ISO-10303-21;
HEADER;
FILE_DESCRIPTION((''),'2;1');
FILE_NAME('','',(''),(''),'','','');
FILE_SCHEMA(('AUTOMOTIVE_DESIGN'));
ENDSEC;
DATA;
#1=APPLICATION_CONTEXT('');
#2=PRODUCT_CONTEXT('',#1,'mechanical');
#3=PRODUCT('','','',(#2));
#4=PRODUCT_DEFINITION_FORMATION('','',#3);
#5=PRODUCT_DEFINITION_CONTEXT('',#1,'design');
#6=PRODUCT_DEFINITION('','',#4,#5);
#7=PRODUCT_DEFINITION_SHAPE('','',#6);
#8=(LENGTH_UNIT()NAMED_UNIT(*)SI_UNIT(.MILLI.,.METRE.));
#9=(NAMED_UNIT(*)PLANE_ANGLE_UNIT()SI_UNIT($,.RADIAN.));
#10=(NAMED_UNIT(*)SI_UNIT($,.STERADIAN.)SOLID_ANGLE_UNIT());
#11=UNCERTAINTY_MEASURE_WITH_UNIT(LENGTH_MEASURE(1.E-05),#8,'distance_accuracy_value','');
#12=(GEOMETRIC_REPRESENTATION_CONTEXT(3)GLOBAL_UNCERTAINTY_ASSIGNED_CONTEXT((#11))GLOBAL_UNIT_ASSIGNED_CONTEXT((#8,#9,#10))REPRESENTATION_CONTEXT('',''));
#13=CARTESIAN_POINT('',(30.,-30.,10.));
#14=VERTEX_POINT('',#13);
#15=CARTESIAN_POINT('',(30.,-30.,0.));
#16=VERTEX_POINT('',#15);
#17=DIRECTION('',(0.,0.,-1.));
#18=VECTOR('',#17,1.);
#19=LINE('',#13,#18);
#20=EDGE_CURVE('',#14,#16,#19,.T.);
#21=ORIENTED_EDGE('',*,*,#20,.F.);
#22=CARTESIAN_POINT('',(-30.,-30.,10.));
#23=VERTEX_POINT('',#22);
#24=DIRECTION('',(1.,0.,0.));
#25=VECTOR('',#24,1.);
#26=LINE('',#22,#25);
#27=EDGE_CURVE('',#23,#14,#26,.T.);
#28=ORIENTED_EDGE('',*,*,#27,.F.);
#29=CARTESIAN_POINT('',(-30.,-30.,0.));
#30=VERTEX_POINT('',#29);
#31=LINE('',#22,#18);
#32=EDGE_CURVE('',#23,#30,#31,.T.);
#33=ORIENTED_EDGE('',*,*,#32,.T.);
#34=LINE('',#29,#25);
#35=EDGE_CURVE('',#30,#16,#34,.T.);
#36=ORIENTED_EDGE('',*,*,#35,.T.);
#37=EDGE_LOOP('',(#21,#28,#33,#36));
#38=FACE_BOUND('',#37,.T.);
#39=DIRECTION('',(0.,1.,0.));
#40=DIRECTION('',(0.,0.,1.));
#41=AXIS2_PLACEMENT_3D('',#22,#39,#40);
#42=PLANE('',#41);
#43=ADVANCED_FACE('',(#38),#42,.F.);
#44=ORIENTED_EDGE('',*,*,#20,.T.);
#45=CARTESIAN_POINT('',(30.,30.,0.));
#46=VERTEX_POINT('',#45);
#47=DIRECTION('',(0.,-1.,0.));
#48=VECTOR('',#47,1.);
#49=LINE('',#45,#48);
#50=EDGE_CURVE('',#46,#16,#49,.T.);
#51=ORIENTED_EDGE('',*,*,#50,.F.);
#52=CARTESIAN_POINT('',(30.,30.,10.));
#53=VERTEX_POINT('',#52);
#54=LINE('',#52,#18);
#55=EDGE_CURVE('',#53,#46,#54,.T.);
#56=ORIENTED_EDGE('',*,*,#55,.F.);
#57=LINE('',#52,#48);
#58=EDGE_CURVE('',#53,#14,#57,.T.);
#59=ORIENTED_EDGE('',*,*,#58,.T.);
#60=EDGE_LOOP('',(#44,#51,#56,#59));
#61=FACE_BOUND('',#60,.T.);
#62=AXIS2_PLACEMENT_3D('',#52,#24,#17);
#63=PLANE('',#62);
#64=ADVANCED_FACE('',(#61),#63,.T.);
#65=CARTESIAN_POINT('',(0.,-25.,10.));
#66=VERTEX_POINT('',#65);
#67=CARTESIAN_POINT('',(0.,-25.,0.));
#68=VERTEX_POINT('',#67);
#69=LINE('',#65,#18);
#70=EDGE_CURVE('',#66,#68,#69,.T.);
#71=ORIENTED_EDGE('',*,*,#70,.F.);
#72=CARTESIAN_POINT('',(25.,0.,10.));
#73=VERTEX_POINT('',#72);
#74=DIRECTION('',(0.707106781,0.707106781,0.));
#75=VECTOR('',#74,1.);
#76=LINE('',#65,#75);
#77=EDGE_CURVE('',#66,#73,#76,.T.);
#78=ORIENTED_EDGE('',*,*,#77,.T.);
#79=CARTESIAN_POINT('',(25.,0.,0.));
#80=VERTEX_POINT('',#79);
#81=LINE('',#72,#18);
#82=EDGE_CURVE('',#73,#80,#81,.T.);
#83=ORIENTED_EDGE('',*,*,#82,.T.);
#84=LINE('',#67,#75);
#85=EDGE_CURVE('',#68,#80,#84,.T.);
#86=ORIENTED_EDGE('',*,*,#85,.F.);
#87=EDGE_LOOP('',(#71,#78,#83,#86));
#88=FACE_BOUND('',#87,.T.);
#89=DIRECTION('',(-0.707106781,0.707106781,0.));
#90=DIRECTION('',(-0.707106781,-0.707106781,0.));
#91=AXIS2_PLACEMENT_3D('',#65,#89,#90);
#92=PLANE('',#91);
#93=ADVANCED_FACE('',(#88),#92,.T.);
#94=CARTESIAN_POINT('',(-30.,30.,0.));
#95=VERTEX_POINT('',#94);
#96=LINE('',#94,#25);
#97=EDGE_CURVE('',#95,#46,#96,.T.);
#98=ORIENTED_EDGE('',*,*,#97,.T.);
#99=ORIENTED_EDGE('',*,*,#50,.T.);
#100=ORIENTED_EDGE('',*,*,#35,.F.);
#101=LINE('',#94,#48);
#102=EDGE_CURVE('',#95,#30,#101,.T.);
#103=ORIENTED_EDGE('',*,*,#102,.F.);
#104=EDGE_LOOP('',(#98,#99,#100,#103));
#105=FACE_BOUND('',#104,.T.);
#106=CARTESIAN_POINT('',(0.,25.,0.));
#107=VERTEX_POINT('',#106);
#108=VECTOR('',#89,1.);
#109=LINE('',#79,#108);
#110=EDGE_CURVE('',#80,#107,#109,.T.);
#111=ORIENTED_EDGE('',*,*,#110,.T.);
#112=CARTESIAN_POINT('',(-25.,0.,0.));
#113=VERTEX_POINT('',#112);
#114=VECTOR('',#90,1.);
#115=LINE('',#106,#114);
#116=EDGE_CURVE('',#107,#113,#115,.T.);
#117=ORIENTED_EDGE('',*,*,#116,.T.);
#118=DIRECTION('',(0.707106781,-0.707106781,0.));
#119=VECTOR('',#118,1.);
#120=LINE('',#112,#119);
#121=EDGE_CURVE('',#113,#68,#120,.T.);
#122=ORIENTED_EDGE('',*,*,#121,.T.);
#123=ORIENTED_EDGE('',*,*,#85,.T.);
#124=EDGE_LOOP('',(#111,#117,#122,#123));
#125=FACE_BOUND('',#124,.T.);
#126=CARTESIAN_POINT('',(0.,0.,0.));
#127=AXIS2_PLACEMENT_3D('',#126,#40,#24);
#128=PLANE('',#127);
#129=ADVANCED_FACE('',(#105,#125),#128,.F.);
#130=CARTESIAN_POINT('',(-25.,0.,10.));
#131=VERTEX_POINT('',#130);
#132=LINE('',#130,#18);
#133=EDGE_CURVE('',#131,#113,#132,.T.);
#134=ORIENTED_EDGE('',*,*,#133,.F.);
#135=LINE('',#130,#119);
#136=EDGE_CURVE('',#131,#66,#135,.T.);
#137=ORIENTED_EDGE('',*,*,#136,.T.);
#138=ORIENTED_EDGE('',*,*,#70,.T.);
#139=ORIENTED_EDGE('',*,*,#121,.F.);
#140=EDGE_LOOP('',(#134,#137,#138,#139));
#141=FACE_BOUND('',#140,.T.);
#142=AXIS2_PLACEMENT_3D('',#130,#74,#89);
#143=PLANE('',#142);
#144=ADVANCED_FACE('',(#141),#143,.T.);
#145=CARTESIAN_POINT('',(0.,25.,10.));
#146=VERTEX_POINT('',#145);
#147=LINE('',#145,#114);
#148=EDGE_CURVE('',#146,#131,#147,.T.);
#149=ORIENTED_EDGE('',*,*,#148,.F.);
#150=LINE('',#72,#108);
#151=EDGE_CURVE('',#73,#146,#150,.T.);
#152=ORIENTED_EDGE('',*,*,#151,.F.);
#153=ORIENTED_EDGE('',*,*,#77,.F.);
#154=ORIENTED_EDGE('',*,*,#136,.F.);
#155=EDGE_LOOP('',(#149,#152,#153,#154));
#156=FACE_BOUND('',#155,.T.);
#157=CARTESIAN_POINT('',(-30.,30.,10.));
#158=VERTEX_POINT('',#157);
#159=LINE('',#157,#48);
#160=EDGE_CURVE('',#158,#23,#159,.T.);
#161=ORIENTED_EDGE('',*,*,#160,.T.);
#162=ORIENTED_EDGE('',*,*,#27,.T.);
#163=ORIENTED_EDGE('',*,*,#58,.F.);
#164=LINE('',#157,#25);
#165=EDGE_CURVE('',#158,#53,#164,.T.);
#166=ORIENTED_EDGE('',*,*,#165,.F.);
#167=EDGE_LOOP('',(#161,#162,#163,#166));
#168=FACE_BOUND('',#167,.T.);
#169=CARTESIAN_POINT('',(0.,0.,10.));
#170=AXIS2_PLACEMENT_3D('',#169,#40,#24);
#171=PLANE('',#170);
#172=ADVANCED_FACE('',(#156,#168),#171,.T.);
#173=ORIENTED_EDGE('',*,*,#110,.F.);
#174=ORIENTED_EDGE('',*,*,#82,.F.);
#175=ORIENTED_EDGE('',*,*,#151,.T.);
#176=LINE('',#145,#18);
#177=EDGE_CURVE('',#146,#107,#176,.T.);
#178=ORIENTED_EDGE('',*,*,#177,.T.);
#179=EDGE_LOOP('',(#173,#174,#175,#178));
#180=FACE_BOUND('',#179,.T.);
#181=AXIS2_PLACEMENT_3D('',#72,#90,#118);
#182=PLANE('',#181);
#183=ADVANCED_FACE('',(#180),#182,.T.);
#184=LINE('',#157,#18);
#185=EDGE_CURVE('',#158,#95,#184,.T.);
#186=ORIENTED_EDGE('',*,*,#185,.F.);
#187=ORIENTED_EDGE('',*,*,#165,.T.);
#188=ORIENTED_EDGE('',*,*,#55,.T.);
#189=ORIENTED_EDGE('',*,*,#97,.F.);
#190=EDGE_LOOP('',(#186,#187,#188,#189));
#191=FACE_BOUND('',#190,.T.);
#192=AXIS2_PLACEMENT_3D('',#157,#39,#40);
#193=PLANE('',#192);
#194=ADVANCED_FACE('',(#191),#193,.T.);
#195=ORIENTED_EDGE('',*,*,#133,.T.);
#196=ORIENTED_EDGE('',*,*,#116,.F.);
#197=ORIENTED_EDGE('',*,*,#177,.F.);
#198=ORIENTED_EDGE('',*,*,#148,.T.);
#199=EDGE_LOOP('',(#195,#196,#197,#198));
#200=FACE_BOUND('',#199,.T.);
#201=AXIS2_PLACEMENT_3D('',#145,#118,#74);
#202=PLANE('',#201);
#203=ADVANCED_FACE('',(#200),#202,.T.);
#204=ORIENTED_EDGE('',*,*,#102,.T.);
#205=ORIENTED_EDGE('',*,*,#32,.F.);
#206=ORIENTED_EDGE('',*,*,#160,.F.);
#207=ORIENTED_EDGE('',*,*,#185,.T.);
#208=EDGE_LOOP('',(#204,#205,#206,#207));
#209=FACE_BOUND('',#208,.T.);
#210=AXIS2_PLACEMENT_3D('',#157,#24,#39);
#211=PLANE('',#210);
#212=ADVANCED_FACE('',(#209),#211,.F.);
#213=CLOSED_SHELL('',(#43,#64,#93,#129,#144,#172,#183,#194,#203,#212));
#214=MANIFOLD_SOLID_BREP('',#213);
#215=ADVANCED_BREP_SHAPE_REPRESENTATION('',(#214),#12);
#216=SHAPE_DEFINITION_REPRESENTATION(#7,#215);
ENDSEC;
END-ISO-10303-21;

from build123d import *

# Parameters (mm, degrees)
SCHIZZO1_W                   = 60
SCHIZZO1_H                   = 60
ESTRUSIONE_ESTRUSIONE1_DEPTH = 10


with BuildPart() as part:
    # Schizzo1 → Estrusione-Estrusione1 (new body)
    with BuildSketch(Plane.XY):
        Rectangle(SCHIZZO1_W, SCHIZZO1_H)
        Polygon((0, -25), (25, 0), (0, 25), (-25, 0), align=None, mode=Mode.SUBTRACT)
    extrude(amount=ESTRUSIONE_ESTRUSIONE1_DEPTH)


solid = part.part
